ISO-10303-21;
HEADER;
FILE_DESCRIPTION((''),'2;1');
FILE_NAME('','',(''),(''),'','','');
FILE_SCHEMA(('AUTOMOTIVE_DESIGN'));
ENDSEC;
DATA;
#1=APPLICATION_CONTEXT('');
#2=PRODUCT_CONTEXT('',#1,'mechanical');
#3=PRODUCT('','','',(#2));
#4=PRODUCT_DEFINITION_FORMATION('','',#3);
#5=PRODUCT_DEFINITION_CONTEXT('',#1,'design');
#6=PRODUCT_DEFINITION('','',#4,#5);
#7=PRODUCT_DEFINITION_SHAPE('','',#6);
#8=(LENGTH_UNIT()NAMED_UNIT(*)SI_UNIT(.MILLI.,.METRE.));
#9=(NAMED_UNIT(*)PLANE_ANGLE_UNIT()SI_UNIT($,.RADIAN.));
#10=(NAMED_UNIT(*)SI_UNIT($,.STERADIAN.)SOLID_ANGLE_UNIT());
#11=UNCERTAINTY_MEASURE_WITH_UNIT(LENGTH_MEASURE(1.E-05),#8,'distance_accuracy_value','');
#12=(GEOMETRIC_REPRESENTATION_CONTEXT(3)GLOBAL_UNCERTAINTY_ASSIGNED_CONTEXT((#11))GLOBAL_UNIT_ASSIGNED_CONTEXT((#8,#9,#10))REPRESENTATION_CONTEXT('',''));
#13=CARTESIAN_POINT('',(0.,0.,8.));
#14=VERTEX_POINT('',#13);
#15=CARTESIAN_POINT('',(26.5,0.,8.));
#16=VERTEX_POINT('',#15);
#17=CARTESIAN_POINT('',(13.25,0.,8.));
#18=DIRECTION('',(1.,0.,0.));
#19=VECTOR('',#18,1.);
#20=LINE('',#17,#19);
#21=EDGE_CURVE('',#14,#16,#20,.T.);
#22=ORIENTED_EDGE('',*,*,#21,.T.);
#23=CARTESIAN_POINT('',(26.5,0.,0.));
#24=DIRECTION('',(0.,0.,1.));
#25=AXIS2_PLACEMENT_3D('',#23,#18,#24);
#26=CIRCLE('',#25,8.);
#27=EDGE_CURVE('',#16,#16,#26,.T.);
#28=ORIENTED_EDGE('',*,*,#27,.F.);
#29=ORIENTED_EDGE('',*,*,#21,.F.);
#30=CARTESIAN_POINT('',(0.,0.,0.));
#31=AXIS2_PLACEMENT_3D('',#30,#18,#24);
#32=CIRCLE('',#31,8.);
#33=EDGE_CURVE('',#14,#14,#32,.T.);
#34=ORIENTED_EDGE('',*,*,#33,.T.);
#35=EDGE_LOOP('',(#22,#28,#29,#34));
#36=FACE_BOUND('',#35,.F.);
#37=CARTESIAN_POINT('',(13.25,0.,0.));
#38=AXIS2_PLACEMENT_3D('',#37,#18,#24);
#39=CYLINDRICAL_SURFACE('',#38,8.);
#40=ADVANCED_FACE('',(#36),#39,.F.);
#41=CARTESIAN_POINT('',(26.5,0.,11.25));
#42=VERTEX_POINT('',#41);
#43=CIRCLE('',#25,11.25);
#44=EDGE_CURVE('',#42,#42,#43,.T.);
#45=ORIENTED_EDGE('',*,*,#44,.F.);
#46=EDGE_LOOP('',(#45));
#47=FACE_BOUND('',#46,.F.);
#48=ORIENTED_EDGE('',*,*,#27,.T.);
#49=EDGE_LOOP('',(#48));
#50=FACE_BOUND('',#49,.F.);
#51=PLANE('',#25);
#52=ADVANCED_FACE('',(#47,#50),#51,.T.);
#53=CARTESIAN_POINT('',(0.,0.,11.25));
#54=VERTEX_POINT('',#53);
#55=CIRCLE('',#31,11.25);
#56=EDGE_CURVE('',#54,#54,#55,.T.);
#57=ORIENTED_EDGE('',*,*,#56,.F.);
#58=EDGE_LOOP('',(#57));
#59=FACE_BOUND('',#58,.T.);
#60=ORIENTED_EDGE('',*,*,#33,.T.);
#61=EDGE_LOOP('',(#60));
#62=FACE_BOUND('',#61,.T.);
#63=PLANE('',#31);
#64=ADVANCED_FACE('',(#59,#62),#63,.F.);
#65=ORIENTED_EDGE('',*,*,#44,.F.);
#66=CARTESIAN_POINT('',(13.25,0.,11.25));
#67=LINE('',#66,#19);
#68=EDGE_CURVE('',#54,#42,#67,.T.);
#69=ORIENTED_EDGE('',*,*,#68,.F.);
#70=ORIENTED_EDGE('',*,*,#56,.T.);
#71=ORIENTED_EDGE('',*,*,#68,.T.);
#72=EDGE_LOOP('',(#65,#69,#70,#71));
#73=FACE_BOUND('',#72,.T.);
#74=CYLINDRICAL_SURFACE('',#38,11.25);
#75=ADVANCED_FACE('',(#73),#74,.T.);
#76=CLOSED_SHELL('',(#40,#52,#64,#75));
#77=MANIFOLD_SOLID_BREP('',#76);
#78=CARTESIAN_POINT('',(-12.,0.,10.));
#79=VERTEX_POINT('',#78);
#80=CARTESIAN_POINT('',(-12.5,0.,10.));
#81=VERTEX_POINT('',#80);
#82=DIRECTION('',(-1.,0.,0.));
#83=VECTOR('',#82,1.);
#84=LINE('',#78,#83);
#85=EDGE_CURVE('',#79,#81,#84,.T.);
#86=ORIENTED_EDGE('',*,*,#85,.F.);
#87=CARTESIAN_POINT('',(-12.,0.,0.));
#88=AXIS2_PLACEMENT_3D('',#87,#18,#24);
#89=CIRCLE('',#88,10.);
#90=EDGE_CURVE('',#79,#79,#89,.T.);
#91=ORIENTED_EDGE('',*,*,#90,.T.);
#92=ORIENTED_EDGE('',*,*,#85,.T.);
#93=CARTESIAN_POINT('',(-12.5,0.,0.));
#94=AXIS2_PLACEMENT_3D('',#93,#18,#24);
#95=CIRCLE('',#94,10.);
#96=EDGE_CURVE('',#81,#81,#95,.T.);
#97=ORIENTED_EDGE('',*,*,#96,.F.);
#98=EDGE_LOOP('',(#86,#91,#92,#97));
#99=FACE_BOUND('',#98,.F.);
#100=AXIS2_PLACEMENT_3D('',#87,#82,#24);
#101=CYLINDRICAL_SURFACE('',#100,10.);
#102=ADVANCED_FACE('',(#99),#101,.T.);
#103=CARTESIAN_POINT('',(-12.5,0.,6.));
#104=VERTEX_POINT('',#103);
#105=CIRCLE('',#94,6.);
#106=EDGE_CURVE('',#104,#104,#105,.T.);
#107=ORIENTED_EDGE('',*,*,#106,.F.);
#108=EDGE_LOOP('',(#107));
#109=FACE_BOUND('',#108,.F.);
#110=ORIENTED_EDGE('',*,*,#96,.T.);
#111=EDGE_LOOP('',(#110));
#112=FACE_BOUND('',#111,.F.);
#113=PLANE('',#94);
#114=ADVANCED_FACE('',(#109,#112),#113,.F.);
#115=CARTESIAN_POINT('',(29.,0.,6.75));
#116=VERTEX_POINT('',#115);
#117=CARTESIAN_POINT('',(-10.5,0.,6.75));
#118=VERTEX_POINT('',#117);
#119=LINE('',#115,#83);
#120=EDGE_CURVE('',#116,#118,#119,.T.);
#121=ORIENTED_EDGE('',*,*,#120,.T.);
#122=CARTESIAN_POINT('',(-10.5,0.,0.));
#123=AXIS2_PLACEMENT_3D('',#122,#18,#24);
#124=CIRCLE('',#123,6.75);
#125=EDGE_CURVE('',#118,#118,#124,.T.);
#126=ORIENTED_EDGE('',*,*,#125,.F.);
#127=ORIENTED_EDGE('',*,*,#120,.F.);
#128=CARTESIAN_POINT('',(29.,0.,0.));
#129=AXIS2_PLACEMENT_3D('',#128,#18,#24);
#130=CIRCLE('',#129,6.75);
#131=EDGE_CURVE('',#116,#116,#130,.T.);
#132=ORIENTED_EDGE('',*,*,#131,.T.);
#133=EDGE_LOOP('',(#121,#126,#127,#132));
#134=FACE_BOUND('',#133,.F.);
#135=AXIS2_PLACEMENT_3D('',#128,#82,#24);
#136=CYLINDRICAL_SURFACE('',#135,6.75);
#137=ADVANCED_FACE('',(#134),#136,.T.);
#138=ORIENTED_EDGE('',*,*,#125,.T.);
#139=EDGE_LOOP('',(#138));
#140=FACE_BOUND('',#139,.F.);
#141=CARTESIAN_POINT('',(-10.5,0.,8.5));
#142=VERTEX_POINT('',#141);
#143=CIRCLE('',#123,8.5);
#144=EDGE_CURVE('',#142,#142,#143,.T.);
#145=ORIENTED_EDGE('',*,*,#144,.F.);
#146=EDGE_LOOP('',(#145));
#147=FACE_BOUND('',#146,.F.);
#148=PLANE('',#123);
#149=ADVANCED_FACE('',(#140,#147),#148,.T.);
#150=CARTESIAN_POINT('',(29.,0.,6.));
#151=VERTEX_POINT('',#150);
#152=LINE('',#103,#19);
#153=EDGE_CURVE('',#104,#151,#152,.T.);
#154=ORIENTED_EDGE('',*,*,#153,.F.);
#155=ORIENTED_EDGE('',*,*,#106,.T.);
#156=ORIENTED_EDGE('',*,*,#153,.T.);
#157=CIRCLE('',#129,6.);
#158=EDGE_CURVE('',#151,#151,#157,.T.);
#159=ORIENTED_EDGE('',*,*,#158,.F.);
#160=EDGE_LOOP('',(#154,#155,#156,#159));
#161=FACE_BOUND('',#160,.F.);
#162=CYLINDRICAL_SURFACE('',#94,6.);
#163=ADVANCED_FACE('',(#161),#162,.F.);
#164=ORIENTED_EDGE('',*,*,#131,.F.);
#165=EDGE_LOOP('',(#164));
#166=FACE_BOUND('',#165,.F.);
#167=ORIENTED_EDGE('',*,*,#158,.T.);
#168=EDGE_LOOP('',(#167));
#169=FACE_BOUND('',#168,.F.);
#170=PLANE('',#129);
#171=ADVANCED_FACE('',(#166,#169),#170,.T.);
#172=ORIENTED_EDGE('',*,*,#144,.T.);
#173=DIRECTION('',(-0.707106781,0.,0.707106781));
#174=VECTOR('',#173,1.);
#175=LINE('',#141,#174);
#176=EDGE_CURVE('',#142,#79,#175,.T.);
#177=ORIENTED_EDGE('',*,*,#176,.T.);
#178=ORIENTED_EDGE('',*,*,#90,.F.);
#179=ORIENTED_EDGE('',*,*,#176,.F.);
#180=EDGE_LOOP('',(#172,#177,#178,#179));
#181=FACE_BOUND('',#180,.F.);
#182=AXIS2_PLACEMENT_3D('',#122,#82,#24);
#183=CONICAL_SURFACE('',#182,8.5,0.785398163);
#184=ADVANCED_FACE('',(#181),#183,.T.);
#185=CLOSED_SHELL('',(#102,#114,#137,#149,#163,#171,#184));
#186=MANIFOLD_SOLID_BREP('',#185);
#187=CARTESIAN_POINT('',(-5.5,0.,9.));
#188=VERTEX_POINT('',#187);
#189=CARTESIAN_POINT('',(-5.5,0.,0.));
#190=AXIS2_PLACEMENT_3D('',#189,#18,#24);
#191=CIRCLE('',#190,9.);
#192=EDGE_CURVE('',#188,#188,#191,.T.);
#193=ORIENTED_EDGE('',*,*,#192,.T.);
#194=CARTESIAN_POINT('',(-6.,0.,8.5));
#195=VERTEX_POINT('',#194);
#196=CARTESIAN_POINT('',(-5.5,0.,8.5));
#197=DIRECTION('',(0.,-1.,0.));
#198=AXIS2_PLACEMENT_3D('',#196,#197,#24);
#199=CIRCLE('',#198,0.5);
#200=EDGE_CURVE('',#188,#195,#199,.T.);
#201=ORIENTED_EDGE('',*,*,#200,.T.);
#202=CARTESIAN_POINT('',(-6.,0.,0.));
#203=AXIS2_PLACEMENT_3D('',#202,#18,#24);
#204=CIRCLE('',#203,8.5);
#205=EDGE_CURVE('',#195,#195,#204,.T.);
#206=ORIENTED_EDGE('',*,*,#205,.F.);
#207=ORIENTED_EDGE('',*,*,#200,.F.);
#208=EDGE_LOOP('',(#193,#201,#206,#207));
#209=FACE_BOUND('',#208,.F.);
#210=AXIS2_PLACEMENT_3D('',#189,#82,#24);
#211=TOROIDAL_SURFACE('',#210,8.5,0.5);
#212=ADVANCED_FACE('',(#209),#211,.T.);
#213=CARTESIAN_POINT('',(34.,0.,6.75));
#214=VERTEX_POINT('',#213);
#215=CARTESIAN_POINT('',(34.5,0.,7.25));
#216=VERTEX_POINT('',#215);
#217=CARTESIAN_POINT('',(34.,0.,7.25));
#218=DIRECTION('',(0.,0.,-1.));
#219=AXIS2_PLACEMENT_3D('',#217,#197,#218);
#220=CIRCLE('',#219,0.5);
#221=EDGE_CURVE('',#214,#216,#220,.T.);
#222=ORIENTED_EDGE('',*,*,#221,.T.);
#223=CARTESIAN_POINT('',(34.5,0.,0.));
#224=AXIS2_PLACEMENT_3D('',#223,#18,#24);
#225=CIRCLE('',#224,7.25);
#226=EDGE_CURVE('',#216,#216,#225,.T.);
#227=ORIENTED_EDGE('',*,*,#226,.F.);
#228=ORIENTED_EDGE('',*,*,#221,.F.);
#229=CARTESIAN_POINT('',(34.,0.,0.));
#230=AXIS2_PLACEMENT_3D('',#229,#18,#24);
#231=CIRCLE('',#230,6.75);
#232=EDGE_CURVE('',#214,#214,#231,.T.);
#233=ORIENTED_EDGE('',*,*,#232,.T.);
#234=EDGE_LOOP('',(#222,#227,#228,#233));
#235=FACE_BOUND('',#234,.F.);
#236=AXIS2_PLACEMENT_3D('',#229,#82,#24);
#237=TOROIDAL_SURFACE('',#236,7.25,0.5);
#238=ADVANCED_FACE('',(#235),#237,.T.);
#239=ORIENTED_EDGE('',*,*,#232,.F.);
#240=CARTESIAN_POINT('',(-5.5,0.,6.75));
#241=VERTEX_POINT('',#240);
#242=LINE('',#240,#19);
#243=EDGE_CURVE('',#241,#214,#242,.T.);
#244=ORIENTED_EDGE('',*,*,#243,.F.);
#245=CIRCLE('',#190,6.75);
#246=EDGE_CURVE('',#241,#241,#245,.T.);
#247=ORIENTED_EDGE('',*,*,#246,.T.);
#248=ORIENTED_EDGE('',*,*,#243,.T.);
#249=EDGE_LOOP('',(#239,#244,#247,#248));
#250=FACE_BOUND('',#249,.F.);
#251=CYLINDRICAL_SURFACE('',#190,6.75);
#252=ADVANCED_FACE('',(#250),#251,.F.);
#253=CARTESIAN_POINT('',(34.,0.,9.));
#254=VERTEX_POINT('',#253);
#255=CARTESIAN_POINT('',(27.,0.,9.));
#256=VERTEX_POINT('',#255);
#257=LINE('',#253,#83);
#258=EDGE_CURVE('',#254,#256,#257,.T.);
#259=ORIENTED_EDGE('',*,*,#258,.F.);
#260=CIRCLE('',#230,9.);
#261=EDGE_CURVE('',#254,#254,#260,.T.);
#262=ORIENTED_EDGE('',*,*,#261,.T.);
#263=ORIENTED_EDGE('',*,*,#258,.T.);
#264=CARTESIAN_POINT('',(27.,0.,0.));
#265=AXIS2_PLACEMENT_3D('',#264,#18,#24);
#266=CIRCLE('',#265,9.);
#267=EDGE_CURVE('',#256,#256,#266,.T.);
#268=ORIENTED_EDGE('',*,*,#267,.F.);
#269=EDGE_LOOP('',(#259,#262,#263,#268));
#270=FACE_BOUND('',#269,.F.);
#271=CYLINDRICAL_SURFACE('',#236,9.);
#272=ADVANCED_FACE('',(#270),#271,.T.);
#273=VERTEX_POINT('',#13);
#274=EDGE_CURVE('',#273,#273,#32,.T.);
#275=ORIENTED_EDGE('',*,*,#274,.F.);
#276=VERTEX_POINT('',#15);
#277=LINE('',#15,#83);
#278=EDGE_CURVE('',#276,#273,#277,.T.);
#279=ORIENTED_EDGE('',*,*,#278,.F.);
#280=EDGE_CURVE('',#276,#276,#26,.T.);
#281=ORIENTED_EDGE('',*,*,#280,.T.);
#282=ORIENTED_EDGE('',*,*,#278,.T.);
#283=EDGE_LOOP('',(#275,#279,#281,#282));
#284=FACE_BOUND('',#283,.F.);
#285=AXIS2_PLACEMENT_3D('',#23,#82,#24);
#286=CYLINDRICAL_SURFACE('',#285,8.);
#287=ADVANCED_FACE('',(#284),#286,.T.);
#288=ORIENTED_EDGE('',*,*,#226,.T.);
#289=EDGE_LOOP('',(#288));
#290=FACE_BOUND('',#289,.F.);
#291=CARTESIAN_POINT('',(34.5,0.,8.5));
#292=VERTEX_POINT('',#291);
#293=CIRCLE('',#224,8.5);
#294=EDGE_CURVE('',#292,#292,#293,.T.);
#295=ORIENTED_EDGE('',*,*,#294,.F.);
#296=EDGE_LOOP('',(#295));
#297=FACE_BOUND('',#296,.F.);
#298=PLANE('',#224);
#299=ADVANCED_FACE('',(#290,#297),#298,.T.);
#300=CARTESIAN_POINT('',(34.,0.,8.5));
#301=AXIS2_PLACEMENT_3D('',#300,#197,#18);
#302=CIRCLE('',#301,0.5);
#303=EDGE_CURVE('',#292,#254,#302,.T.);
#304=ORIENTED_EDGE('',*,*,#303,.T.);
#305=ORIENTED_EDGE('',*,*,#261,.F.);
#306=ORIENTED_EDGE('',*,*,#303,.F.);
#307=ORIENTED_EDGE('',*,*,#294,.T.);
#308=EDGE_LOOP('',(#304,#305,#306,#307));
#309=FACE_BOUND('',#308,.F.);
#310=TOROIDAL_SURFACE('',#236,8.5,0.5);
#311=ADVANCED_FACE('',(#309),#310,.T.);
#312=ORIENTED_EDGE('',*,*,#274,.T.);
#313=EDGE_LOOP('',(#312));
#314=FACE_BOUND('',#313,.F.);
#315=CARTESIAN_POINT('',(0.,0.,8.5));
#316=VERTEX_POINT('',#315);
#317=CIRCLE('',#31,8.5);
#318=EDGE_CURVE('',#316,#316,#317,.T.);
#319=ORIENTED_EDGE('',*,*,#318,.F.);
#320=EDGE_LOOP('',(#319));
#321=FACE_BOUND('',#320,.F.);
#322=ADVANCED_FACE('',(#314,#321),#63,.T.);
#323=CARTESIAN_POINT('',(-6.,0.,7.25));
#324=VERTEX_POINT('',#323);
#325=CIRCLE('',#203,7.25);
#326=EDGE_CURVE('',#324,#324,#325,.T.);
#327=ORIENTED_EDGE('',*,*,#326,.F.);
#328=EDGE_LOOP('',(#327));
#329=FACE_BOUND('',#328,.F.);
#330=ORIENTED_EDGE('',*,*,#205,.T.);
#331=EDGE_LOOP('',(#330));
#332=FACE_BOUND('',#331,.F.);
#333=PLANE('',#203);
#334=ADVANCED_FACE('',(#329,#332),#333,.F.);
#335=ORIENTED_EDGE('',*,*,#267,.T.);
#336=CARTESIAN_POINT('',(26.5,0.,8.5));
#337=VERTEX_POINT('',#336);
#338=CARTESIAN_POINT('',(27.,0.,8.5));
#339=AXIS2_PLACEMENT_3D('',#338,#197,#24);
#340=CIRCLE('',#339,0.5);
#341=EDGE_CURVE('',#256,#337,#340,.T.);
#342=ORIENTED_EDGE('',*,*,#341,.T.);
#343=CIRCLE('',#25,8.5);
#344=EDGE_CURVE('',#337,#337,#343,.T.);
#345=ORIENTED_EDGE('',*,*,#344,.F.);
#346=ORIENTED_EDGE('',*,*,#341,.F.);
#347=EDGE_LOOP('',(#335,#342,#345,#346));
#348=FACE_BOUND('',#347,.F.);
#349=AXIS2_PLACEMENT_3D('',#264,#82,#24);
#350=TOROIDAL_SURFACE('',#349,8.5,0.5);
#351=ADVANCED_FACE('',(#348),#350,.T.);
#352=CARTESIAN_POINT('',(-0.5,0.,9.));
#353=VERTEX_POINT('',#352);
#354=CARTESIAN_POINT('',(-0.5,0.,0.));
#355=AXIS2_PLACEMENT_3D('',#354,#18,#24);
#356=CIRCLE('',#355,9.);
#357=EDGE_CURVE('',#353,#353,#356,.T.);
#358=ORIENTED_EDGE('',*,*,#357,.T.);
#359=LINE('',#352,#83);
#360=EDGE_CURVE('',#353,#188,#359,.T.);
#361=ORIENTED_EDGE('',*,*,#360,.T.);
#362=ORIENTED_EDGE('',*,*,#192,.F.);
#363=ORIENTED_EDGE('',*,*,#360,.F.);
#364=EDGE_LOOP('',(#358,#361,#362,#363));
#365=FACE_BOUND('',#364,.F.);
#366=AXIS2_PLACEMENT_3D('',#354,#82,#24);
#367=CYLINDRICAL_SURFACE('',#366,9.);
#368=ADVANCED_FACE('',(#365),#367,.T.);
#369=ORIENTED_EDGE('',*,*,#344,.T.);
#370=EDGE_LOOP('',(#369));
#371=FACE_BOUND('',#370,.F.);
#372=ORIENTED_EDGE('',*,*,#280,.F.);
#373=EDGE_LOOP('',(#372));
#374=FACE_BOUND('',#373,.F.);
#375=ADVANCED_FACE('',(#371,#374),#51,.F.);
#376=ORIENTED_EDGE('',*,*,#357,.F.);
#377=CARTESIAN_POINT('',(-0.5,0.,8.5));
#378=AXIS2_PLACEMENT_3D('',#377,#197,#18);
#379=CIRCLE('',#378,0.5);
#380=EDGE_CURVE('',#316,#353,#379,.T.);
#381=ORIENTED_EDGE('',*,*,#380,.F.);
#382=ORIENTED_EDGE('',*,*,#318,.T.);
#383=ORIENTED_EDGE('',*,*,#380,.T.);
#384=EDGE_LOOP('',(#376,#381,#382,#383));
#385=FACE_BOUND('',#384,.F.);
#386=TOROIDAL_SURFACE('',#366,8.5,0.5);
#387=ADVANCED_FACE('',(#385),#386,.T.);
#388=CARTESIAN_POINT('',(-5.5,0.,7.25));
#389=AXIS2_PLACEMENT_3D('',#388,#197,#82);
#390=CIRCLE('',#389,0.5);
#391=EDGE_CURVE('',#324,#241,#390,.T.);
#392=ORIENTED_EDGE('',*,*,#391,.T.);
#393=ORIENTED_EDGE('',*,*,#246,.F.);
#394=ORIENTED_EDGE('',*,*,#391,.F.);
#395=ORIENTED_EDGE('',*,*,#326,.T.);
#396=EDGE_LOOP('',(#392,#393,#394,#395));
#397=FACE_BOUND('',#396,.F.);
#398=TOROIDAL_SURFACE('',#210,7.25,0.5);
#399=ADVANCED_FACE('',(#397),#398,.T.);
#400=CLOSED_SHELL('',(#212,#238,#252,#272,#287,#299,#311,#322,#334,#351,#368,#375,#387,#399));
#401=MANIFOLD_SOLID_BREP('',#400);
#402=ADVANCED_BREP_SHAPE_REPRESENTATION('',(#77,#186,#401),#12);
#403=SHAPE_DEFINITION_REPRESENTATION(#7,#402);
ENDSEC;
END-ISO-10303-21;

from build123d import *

# Parameters (mm, degrees)
F0_W = 26.5
F0_H = 3.25


with BuildPart() as f1:
    # F0 (on Front) → F1 (revolve)
    with BuildSketch(Plane.XZ):
        with Locations((13.25, 9.625)):
            Rectangle(F0_W, F0_H)
    revolve(axis=Axis((14.8436599411, 0, 0), (1, 0, 0)))


with BuildPart() as f3:
    # F2 (on Front) → F3 (revolve)
    with BuildSketch(Plane.XZ):
        Polygon((29, 6.75), (-10.5, 6.75), (-10.5, 8.5), (-12, 10), (-12.5, 10), (-12.5, 6), (29, 6), align=None)
    revolve(axis=Axis((-5.3301202133, 0, 0), (1, 0, 0)))


with BuildPart() as f5:
    # F4 (on Front) → F5 (revolve)
    with BuildSketch(Plane.XZ):
        with BuildLine():
            Line((-0.5, 9), (-5.5, 9))
            ThreePointArc((-5.5, 9), (-5.8535533906, 8.8535533906), (-6, 8.5))
            Line((-6, 8.5), (-6, 7.25))
            ThreePointArc((-6, 7.25), (-5.8535533906, 6.8964466094), (-5.5, 6.75))
            Line((-5.5, 6.75), (26.5, 6.75))
            Line((26.5, 6.75), (34, 6.75))
            ThreePointArc((34, 6.75), (34.3535533906, 6.8964466094), (34.5, 7.25))
            Line((34.5, 7.25), (34.5, 8.5))
            ThreePointArc((34.5, 8.5), (34.3535533906, 8.8535533906), (34, 9))
            Line((34, 9), (27, 9))
            ThreePointArc((27, 9), (26.6464466094, 8.8535533906), (26.5, 8.5))
            Line((26.5, 8.5), (26.5, 8))
            Line((26.5, 8), (0, 8))
            Line((0, 8), (0, 8.5))
            ThreePointArc((0, 8.5), (-0.1464466094, 8.8535533906), (-0.5, 9))
        make_face()
    revolve(axis=Axis((-21.9604996964, 0, 0), (1, 0, 0)))


solid = Compound([f1.part, f3.part, f5.part])
